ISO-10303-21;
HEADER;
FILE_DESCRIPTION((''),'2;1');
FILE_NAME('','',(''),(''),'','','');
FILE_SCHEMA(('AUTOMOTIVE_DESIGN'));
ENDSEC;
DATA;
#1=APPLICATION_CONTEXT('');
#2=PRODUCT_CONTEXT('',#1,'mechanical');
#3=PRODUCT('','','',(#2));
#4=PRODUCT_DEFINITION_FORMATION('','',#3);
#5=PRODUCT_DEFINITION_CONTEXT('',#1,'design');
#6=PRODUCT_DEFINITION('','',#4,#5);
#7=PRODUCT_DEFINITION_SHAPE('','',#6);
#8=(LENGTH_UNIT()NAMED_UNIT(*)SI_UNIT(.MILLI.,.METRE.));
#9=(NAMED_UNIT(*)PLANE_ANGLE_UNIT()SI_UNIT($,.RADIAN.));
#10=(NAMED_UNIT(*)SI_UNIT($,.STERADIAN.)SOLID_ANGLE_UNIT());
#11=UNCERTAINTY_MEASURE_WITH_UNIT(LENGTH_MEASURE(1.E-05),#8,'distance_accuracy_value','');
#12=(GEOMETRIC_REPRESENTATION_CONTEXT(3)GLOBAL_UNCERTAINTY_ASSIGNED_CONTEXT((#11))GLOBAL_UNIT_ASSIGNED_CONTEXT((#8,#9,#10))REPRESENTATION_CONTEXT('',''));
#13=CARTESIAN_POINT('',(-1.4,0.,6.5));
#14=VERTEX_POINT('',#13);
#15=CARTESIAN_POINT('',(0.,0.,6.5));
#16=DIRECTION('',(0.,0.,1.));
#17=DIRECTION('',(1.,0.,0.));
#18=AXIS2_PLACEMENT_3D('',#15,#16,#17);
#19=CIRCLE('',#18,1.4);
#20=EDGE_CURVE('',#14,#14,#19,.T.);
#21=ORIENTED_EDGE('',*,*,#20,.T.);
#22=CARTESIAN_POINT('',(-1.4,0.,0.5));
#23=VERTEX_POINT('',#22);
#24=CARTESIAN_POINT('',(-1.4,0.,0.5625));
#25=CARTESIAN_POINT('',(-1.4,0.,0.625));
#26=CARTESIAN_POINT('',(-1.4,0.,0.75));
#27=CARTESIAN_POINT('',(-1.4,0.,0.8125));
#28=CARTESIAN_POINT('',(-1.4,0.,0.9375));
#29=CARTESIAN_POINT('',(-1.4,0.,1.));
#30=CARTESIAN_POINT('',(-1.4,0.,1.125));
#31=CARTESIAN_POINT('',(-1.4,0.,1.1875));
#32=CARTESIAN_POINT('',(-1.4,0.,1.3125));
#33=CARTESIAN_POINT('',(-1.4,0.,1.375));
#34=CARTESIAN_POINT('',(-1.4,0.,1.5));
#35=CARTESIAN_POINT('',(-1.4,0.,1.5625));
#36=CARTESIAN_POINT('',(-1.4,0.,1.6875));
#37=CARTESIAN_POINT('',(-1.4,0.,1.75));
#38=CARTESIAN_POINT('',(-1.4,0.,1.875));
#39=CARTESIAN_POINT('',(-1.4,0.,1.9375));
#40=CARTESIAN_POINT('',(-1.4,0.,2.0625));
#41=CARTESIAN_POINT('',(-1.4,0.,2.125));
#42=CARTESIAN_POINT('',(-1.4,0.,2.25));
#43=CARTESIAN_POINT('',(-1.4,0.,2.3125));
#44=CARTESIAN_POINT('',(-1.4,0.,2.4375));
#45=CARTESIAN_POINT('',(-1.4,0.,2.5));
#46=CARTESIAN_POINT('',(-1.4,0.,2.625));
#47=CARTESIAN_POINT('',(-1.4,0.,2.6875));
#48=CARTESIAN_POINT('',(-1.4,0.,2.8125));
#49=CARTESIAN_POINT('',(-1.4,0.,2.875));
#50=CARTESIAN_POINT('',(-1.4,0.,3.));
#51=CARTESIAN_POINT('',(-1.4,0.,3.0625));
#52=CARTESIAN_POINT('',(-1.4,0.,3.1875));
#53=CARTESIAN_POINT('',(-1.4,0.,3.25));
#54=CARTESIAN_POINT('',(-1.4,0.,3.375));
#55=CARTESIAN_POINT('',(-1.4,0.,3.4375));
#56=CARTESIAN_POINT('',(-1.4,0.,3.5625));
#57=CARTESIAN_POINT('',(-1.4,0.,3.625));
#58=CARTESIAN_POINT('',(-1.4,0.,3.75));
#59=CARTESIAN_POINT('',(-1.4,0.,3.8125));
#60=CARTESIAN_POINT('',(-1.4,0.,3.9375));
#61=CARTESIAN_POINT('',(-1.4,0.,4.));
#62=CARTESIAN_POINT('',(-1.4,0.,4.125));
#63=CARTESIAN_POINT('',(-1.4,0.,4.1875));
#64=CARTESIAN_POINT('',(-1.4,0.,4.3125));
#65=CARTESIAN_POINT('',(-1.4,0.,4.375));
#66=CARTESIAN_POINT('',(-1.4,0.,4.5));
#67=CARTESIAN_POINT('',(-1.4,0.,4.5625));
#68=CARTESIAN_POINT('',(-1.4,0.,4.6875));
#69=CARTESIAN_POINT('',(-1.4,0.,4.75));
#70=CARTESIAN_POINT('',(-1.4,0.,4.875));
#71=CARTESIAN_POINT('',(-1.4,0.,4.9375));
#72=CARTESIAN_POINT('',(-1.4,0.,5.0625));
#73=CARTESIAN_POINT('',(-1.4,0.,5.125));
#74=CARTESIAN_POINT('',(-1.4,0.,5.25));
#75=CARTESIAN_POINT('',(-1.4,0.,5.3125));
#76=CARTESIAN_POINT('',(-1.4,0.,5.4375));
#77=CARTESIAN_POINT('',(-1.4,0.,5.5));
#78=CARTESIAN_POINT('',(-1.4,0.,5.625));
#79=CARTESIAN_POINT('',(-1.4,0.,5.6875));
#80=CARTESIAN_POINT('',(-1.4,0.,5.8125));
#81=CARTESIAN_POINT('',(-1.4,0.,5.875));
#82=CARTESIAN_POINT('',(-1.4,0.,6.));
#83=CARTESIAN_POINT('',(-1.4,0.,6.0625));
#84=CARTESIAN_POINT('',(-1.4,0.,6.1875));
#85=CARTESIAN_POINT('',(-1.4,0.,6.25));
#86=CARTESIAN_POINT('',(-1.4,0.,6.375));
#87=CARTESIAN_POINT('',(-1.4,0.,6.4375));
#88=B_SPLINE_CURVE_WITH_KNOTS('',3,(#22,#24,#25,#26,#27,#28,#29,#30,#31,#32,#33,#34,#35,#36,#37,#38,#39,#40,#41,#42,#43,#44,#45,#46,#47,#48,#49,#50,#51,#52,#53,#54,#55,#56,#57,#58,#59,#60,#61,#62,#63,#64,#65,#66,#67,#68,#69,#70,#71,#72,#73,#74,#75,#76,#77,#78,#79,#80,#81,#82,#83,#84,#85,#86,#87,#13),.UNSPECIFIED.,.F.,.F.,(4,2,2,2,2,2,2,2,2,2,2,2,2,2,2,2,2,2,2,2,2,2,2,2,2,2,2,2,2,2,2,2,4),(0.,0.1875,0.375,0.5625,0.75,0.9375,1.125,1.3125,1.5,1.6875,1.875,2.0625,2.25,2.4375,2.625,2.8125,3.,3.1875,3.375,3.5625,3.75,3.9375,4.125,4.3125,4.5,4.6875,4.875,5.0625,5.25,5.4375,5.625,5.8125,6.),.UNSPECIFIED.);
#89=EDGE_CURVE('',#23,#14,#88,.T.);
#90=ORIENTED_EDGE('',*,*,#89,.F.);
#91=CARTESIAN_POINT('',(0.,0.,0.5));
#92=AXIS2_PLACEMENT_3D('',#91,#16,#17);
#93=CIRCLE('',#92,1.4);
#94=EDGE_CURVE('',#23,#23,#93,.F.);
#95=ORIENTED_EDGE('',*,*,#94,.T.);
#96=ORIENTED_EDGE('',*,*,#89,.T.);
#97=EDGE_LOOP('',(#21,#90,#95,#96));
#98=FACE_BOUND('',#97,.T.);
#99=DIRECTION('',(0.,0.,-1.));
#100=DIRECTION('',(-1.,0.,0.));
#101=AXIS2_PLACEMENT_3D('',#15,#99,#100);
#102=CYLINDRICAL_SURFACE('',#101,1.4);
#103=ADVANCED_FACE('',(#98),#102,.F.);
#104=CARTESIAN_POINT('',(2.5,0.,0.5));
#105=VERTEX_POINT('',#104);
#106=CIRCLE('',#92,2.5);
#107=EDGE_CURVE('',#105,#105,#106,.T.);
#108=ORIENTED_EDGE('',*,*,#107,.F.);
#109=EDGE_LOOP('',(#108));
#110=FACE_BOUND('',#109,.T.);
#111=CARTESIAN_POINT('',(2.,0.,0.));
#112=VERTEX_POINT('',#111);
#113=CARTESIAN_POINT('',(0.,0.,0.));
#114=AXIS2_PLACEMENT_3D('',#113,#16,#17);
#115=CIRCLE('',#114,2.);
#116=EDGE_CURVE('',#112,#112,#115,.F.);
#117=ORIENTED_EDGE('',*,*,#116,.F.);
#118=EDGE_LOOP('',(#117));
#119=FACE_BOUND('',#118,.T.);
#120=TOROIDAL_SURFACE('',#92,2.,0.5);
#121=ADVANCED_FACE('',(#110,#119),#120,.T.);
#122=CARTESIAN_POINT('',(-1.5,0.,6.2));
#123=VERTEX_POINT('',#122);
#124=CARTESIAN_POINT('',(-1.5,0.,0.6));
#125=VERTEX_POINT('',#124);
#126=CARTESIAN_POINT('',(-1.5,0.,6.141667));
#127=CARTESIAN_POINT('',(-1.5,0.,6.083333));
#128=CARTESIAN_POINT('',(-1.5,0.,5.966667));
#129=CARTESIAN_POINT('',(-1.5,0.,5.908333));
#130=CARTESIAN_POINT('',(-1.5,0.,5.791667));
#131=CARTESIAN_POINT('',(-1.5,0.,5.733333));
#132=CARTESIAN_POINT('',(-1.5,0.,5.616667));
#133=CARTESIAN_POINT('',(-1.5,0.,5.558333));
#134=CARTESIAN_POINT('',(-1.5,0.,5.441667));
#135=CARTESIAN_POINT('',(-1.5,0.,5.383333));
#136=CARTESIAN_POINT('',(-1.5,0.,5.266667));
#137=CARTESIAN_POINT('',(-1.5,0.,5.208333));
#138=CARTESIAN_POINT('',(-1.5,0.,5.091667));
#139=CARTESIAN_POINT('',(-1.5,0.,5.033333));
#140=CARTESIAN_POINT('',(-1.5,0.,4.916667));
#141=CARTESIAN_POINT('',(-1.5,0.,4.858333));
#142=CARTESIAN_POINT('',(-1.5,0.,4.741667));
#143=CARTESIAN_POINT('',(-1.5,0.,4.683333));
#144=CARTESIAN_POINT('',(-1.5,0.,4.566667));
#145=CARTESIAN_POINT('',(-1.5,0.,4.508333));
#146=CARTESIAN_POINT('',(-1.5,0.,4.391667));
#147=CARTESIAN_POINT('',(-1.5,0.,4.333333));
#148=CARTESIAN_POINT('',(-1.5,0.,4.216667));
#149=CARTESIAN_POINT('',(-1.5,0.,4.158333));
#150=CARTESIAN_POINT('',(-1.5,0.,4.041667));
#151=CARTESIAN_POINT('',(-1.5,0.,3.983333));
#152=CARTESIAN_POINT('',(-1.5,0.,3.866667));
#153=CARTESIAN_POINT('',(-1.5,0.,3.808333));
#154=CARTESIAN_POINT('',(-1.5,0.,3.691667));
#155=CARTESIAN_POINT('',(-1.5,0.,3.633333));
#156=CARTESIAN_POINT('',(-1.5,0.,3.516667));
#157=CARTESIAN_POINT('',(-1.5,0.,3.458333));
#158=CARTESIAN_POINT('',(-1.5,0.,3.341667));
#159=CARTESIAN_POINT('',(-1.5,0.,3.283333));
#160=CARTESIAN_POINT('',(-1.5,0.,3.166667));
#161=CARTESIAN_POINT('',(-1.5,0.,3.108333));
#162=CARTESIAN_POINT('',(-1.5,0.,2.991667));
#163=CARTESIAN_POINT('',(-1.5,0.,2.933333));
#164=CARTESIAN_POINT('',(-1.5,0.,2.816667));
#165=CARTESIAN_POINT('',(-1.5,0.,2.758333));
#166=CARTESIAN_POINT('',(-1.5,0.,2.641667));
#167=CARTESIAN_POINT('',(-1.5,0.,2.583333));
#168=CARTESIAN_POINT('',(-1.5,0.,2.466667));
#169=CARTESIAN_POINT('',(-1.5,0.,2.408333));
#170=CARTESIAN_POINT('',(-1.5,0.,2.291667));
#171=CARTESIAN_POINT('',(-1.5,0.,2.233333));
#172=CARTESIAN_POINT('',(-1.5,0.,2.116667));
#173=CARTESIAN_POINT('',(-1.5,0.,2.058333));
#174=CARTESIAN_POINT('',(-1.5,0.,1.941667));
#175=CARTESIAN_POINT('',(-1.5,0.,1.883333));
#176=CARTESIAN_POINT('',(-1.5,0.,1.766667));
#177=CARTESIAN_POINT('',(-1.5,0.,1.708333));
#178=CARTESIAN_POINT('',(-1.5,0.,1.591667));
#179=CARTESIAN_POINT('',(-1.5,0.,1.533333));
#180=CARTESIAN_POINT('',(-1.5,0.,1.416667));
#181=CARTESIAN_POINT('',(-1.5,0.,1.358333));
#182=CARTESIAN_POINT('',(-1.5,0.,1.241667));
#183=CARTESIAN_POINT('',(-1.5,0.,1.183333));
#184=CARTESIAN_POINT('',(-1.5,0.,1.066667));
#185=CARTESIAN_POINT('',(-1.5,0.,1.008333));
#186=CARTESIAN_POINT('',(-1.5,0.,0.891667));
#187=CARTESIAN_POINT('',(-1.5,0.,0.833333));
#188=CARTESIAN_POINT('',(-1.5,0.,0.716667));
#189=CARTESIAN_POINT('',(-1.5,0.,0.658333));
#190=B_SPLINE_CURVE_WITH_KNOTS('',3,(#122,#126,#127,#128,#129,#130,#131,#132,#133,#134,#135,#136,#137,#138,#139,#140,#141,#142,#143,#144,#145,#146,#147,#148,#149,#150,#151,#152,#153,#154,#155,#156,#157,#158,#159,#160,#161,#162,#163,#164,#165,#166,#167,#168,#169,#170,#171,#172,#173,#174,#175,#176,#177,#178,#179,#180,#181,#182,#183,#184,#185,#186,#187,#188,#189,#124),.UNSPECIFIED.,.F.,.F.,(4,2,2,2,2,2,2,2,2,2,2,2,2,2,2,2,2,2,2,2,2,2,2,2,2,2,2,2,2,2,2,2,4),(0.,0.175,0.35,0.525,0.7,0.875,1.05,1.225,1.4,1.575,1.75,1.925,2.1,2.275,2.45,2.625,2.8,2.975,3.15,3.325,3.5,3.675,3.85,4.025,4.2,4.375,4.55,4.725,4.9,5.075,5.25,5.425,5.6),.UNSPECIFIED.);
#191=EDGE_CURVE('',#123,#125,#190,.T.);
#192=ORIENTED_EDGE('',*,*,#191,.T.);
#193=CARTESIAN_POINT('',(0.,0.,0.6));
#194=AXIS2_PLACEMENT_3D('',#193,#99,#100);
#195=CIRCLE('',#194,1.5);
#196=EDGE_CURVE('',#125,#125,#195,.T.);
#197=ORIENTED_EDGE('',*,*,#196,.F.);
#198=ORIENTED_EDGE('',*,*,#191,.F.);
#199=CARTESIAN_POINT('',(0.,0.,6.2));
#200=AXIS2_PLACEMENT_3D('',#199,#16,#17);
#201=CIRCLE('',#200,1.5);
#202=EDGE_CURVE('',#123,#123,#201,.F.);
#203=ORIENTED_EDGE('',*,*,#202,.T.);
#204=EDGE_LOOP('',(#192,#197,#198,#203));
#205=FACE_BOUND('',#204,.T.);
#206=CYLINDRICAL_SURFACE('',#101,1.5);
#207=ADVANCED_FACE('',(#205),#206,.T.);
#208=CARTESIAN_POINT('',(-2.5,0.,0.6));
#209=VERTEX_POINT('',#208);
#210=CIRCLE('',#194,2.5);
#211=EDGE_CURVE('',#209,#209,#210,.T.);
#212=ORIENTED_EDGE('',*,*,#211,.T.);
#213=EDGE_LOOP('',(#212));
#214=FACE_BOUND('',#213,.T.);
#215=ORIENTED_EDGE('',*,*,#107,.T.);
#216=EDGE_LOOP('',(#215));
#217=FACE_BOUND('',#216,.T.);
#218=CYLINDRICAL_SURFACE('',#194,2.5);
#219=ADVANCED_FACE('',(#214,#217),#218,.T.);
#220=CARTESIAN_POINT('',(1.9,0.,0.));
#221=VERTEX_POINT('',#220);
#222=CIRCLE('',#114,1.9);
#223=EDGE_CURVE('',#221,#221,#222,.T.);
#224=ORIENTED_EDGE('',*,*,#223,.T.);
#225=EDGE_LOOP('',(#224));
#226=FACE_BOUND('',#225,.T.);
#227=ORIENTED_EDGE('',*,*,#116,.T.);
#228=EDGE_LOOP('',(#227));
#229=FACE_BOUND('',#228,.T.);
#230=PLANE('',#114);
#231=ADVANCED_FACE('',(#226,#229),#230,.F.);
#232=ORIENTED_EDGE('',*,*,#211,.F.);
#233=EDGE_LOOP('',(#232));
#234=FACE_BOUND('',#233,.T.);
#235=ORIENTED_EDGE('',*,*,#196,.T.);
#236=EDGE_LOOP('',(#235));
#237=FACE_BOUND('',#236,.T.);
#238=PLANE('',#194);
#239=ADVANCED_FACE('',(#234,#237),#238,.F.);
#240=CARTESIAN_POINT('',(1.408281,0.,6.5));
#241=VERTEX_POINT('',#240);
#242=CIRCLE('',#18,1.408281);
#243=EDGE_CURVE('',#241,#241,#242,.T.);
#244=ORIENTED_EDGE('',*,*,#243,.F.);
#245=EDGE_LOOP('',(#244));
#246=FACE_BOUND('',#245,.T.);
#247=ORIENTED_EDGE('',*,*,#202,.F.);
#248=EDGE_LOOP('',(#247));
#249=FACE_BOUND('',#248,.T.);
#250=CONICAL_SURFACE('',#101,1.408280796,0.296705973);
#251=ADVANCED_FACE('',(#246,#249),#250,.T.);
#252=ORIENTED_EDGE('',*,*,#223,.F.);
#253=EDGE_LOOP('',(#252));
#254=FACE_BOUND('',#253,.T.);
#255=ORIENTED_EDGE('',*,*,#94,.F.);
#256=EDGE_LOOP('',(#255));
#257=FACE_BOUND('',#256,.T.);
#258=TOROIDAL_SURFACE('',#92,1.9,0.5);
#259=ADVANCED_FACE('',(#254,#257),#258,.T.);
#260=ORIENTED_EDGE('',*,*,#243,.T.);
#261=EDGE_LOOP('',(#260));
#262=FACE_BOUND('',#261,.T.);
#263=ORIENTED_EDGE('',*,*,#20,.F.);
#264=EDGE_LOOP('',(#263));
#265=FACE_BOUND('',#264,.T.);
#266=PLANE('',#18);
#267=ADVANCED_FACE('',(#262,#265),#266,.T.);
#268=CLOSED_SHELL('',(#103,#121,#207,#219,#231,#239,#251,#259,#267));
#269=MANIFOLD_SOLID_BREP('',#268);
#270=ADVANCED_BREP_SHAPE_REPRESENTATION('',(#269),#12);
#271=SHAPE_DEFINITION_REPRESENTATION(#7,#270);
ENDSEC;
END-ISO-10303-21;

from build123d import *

# Parameters (mm, degrees)
ESBO_O1_R                = 1.5
ESBO_O1_R_2              = 1.4
RESSALTO_EXTRUS_O1_DEPTH = 6.5
ESBO_O2_R                = 2.5
ESBO_O2_R_2              = 1.5
RESSALTO_EXTRUS_O2_DEPTH = 0.6
FILETE1_R                = 0.5
CHANFRO1_SIZE            = 0.3
CHANFRO1_SIZE2           = 0.091719204


with BuildPart() as part:
    # Esboço1 → Ressalto-extrusão1 (new body)
    with BuildSketch(Plane.XY):
        with Locations(Location((0, 0, 0), (0, 0, 180))):
            Circle(ESBO_O1_R)
        with Locations(Location((0, 0, 0), (0, 0, 180))):
            Circle(ESBO_O1_R_2, mode=Mode.SUBTRACT)
    extrude(amount=RESSALTO_EXTRUS_O1_DEPTH)

    # Esboço2 → Ressalto-extrusão2 (add)
    with BuildSketch(Plane(origin=(0, 0, 0), x_dir=(-1, 0, 0), z_dir=(0, 0, -1))):
        Circle(ESBO_O2_R)
        Circle(ESBO_O2_R_2, mode=Mode.SUBTRACT)
    extrude(amount=-RESSALTO_EXTRUS_O2_DEPTH)

    # Filete1
    filete1_edges = [part.edges().sort_by_distance(p)[0] for p in [
        (2.5, 0, 0),
        (1.4, 0, 0),
    ]]
    fillet(filete1_edges, radius=FILETE1_R)

    # Chanfro1
    chanfro1_edges = [part.edges().sort_by_distance(p)[0] for p in [
        (1.5, 0, 6.5),
    ]]
    chanfro1_side = [part.faces().sort_by_distance(p)[0] for p in [
        (1.5, 0, 3.55),
    ]]
    chamfer(chanfro1_edges, length=CHANFRO1_SIZE, length2=CHANFRO1_SIZE2, reference=chanfro1_side[0])


solid = part.part
